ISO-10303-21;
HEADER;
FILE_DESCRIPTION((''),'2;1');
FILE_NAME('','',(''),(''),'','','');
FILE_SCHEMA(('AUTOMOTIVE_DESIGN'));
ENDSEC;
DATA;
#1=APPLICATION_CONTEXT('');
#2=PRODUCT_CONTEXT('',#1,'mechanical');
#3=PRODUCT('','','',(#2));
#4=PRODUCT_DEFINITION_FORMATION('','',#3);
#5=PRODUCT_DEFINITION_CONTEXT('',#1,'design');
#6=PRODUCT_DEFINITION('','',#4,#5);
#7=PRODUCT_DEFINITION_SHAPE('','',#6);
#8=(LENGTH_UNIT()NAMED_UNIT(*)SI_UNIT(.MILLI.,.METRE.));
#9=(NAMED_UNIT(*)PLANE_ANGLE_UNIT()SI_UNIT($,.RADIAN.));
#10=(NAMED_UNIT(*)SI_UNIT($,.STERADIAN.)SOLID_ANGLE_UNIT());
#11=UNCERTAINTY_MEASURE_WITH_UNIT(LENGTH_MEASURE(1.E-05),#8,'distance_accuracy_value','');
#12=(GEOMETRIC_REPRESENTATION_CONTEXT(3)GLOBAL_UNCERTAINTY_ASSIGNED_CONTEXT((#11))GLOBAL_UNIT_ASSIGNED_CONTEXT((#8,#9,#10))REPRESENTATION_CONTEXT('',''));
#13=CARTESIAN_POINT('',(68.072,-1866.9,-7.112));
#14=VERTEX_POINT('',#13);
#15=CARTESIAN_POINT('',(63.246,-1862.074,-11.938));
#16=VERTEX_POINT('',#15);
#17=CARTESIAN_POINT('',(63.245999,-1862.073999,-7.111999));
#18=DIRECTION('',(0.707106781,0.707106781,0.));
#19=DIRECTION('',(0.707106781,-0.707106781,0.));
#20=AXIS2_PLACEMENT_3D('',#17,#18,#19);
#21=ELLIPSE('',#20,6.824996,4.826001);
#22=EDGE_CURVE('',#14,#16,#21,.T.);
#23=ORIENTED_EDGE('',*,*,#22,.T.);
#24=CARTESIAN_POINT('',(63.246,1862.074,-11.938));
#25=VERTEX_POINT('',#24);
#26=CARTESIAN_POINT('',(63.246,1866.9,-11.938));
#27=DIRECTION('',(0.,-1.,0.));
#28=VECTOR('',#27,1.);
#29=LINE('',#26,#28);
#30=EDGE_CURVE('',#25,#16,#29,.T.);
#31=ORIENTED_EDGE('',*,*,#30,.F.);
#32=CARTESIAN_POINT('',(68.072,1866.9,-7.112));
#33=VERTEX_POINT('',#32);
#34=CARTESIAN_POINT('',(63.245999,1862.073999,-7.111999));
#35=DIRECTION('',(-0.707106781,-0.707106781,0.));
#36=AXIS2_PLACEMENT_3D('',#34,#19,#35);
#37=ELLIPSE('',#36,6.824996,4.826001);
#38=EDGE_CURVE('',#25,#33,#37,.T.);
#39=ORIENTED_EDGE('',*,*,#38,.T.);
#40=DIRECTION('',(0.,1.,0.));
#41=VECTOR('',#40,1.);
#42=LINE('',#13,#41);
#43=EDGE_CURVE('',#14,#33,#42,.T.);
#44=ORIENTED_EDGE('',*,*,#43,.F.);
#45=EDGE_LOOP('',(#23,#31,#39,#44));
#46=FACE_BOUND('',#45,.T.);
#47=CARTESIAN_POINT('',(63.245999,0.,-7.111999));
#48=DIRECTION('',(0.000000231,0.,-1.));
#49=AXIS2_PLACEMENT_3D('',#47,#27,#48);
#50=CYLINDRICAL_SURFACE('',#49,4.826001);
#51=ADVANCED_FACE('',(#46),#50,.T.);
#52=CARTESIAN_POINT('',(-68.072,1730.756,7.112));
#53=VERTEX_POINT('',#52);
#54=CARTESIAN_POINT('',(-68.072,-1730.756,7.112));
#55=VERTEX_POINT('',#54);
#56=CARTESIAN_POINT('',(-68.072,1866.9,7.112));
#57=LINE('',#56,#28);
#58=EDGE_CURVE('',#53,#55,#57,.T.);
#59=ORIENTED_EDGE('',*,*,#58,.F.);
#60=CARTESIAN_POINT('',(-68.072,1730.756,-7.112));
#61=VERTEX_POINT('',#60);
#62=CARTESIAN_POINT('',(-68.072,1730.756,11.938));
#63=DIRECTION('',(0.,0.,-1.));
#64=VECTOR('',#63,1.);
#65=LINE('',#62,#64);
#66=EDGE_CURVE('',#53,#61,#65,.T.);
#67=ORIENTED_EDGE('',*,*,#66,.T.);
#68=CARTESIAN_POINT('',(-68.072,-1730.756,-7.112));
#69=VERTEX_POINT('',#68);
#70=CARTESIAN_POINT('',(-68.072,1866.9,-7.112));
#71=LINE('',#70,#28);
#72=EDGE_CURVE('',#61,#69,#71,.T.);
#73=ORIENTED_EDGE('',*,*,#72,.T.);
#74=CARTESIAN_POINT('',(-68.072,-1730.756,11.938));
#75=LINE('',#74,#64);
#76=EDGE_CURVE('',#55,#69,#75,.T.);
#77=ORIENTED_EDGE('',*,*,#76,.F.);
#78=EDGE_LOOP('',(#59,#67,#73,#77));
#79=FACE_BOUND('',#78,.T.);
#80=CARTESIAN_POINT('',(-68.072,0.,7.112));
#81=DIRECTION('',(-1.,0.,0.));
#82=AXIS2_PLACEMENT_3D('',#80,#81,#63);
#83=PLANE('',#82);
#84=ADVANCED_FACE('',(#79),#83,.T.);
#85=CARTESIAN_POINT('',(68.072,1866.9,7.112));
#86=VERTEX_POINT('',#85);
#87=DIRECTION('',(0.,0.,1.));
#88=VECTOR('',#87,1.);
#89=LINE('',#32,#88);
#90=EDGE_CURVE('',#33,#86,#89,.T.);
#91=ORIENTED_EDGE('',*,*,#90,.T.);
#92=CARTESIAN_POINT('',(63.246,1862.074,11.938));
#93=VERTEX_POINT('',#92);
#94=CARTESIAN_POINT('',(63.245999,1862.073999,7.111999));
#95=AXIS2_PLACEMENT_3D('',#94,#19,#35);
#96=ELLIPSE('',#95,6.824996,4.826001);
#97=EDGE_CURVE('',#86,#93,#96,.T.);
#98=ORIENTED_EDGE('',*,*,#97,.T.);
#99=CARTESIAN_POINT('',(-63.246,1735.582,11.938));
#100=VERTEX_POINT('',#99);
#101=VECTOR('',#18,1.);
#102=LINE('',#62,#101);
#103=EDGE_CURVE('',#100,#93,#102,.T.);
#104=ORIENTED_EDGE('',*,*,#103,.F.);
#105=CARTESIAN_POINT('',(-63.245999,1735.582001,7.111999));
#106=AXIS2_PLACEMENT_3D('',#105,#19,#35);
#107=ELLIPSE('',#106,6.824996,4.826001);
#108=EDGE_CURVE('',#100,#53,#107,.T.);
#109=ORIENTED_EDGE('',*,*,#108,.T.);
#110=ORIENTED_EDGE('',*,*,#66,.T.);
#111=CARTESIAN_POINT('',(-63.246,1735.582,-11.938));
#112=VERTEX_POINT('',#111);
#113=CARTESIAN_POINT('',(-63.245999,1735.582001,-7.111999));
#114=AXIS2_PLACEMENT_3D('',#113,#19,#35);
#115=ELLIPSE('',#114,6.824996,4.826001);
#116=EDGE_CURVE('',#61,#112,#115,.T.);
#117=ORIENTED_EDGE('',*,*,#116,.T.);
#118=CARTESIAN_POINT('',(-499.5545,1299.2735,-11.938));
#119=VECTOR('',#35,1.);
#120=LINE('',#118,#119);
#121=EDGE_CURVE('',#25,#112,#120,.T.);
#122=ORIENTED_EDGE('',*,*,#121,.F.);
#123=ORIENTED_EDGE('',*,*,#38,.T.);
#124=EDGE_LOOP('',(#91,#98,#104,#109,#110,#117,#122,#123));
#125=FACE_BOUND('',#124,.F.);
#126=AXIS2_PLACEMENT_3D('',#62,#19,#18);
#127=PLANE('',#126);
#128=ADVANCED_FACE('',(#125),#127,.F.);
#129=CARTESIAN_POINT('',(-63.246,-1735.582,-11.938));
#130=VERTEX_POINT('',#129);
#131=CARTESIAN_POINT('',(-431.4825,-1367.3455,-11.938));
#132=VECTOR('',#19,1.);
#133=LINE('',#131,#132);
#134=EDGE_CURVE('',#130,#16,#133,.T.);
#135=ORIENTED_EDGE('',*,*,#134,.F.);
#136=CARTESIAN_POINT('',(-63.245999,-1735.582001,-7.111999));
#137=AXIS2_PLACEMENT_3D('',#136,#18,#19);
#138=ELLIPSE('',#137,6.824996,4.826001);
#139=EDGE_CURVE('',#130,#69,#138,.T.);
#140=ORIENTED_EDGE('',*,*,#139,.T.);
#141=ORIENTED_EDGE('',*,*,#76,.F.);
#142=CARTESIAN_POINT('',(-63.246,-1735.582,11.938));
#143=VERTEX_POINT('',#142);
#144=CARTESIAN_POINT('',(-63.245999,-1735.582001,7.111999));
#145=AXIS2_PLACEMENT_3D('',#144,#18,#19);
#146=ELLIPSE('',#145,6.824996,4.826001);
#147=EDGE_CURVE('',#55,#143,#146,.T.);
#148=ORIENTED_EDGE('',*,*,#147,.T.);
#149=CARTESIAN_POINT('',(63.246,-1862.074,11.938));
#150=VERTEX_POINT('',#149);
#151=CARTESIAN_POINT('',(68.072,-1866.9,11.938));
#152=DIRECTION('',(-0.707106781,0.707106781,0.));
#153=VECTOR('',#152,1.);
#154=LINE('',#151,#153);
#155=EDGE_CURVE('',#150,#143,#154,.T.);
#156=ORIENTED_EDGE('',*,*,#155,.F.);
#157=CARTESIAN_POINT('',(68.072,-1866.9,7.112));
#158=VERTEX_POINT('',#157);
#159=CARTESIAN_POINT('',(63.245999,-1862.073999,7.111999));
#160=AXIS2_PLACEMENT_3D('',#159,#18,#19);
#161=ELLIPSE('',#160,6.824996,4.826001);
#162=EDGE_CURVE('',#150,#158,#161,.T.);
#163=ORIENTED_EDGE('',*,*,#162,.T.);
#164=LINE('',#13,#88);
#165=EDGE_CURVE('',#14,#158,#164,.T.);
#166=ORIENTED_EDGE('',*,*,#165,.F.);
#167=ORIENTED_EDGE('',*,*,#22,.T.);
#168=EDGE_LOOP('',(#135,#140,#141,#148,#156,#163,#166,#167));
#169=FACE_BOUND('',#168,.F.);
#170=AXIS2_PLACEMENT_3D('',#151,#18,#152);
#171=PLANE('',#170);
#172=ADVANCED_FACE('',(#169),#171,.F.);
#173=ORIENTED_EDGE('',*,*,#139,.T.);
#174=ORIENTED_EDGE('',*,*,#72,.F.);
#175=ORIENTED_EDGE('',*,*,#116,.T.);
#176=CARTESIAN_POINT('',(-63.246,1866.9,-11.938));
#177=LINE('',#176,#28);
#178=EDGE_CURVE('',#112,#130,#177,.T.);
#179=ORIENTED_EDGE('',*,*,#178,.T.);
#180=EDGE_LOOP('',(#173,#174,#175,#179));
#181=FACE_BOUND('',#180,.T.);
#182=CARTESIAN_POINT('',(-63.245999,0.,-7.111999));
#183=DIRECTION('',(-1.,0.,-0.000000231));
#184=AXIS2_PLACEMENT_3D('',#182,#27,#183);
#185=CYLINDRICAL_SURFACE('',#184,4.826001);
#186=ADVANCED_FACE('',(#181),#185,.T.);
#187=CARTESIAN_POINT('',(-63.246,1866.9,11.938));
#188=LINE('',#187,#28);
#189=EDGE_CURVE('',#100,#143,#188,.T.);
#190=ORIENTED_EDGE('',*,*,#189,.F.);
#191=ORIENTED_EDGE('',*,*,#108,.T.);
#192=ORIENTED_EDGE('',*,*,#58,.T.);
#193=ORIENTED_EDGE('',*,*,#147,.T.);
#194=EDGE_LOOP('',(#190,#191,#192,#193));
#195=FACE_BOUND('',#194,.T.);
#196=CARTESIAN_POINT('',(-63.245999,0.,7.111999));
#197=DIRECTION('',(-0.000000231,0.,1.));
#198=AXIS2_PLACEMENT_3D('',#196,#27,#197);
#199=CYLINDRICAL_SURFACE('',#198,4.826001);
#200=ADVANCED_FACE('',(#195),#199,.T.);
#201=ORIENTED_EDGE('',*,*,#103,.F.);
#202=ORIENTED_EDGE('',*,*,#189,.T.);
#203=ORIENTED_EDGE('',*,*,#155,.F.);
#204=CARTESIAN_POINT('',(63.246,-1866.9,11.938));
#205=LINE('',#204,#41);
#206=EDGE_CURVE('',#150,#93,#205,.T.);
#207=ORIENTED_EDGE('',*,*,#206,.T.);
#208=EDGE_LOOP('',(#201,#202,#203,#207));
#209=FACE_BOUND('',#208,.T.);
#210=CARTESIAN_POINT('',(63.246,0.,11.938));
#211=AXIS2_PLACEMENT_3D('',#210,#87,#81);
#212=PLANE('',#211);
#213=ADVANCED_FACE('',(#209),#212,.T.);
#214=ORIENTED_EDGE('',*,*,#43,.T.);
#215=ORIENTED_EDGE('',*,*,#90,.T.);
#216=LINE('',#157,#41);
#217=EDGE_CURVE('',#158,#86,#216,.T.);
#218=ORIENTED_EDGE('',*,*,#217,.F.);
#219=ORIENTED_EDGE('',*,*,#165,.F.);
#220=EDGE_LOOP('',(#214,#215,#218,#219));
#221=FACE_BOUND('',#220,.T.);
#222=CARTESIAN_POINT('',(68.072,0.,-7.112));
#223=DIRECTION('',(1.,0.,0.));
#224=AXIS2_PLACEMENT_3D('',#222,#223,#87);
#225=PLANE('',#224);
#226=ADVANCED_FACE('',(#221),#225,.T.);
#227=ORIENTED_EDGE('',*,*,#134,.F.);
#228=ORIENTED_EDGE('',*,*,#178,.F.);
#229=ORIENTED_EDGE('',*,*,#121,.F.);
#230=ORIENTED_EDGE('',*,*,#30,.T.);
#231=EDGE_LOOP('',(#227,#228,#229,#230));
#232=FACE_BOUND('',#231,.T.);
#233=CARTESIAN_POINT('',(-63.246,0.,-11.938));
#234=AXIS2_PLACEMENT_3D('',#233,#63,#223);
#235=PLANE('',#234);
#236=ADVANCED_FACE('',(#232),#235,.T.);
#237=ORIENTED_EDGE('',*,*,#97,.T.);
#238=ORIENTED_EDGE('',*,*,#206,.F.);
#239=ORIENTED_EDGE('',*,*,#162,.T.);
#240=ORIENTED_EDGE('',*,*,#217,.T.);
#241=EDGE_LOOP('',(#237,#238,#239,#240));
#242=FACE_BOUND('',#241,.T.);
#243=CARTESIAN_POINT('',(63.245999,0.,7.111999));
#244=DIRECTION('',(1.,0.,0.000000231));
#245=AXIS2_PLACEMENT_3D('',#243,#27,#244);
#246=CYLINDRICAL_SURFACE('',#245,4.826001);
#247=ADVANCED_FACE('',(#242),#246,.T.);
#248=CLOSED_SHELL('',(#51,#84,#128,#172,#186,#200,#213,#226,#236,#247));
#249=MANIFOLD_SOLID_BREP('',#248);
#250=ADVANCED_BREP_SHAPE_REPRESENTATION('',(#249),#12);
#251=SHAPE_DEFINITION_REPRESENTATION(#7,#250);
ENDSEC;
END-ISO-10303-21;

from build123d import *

# Parameters (mm, degrees)
F1_DEPTH = 1866.9
F3_DEPTH = 23.877


with BuildPart() as f1:
    # F0 (on Front) → F1 (new body, symmetric)
    with BuildSketch(Plane.XZ):
        with BuildLine():
            Line((63.246, 11.938), (-63.246, 11.938))
            ThreePointArc((-63.246, 11.938), (-66.658497, 10.524497), (-68.072, 7.112))
            Line((-68.072, 7.112), (-68.072, -7.112))
            ThreePointArc((-68.072, -7.112), (-66.658497, -10.524497), (-63.246, -11.938))
            Line((-63.246, -11.938), (63.246, -11.938))
            ThreePointArc((63.246, -11.938), (66.658497, -10.524497), (68.072, -7.112))
            Line((68.072, -7.112), (68.072, 7.112))
            ThreePointArc((68.072, 7.112), (66.658497, 10.524497), (63.246, 11.938))
        make_face()
    extrude(amount=F1_DEPTH, both=True)

    # F2 (on face) → F3 (cut, through all)
    with BuildSketch(Plane.XY.offset(11.938)):
        Polygon((68.072, -1866.9), (-68.072, -1730.756), (-68.072, -1866.9), align=None)
        Polygon((-68.072, 1866.9), (-68.072, 1730.756), (68.072, 1866.9), align=None)
    extrude(amount=-F3_DEPTH, mode=Mode.SUBTRACT)


solid = f1.part
